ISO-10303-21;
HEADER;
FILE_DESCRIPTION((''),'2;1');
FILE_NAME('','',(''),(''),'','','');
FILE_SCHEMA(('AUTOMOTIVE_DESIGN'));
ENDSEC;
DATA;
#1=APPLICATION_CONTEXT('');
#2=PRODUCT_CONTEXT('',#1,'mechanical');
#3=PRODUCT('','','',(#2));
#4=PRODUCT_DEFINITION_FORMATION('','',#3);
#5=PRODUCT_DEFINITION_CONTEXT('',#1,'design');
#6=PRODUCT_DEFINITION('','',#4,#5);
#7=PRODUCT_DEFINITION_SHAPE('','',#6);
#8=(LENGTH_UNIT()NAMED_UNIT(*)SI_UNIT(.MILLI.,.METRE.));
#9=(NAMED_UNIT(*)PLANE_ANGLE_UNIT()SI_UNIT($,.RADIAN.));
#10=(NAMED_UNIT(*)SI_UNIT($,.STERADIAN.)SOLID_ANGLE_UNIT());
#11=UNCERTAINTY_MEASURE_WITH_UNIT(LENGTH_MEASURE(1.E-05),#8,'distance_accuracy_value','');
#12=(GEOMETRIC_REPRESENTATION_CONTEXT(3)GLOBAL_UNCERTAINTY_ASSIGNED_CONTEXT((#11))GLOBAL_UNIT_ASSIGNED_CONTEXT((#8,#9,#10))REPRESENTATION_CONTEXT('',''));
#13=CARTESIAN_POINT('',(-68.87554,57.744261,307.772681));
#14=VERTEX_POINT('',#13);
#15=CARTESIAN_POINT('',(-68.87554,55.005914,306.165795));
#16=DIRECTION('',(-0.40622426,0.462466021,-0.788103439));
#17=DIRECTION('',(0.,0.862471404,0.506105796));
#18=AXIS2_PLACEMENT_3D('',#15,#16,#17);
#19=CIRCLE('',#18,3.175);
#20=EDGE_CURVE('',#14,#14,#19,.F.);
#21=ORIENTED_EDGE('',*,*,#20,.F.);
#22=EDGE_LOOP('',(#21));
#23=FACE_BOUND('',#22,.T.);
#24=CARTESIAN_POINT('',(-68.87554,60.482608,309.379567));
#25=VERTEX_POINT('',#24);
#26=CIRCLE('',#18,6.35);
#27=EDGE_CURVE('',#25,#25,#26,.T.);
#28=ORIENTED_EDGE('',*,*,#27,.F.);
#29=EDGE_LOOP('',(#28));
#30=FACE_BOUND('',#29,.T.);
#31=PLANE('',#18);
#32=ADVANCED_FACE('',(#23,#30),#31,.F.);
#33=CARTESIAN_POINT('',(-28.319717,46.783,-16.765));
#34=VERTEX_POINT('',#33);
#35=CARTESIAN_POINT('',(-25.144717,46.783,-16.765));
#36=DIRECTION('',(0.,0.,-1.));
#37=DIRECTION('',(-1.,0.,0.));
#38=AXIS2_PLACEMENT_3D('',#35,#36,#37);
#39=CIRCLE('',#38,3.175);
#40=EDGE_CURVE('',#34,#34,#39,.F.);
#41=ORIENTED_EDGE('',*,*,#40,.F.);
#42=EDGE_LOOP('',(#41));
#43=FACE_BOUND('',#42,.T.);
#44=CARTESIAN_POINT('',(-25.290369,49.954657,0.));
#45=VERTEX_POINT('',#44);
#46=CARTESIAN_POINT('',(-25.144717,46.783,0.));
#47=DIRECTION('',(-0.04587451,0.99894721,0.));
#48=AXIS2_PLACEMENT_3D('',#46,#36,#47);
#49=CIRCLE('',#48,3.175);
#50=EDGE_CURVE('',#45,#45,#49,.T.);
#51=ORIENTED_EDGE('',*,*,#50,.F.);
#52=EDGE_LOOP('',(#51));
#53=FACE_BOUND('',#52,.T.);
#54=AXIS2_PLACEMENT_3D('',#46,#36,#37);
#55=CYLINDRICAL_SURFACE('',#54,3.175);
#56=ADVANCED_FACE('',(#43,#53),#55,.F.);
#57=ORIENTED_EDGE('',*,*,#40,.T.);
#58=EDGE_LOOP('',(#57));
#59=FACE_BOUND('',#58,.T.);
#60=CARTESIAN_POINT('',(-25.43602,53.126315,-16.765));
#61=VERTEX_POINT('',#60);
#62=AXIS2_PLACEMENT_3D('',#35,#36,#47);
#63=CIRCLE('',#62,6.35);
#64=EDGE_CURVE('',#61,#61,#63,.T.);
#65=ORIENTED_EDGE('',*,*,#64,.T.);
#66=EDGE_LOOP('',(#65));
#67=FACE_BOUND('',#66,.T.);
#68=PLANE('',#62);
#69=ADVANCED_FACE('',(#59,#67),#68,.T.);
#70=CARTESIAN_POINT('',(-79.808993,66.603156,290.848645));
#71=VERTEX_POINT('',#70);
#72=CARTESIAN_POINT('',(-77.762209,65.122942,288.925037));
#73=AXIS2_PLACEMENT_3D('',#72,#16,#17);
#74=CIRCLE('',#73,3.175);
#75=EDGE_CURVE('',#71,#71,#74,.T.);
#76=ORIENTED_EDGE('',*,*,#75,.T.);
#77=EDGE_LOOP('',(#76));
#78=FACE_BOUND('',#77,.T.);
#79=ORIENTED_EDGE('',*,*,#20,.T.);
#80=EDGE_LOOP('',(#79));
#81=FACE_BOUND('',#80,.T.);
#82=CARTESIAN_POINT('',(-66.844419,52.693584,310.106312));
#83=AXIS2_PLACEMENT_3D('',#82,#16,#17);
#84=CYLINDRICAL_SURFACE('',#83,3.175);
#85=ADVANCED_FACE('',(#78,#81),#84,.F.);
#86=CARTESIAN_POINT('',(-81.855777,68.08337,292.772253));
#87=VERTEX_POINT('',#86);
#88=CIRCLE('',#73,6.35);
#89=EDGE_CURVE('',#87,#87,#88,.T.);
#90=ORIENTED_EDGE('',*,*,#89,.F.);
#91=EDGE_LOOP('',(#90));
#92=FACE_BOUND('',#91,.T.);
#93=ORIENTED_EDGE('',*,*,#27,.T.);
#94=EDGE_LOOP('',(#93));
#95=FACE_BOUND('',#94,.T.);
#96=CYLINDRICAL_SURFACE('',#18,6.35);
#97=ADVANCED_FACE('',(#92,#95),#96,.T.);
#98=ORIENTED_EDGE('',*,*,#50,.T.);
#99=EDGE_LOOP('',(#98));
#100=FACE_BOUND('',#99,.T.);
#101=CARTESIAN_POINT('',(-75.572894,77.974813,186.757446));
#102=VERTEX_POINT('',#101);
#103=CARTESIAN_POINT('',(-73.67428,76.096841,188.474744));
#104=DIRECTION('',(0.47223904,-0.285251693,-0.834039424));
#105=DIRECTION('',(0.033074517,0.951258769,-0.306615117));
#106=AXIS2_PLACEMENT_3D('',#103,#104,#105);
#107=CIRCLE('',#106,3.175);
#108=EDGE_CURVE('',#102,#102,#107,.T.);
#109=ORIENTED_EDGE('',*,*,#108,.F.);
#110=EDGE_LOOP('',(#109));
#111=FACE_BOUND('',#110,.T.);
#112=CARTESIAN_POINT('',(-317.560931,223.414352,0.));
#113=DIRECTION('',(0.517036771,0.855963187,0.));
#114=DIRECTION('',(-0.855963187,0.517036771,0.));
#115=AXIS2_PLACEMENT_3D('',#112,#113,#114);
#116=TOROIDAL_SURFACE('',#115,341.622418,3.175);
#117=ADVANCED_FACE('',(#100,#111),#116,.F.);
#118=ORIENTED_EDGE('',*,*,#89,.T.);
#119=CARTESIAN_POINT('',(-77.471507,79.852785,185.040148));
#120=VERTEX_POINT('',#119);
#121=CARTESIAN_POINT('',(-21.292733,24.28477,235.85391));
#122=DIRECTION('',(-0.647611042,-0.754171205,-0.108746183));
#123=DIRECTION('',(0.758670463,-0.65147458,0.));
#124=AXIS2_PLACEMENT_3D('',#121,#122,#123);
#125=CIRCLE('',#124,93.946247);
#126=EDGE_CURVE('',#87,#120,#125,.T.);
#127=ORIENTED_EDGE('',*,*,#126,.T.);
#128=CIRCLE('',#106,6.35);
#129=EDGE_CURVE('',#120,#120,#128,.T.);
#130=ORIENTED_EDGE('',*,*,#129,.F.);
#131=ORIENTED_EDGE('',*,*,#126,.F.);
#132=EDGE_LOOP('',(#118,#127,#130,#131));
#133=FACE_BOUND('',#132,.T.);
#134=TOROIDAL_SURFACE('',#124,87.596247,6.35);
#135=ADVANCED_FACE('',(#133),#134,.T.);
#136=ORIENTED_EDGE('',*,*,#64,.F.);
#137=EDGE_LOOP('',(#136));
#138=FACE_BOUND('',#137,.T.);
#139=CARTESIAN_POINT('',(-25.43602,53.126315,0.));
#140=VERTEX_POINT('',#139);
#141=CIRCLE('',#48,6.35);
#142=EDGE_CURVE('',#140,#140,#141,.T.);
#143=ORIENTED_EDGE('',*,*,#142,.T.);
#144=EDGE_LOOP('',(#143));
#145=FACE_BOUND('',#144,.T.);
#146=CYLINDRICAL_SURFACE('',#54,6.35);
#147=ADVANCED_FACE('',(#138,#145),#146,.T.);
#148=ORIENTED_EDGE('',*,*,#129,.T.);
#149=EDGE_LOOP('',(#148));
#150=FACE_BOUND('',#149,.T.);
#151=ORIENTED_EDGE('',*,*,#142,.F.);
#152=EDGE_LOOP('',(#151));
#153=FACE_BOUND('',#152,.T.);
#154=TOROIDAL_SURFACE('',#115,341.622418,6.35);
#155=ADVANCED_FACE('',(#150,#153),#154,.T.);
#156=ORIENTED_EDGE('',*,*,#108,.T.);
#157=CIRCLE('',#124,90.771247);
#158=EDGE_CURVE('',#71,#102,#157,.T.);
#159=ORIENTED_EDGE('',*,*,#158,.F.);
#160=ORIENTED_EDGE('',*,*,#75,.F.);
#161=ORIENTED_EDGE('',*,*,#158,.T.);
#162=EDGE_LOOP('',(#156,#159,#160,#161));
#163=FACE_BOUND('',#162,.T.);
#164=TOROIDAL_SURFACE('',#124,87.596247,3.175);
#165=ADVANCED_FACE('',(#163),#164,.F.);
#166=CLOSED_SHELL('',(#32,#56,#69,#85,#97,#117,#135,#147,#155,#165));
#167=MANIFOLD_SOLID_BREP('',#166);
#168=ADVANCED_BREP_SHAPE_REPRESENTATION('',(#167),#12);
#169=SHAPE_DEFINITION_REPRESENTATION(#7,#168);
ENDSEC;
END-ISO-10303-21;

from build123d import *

# Parameters (mm, degrees)
SWEEP1_PROFILE_R     = 6.35
CUT_SWEEP1_PROFILE_R = 3.175


with BuildPart() as part:
    # Sweep1: sweep along a curve in space
    with BuildLine() as sweep1_path:
        Line((-25.144717139, 46.783, -16.764999998), (-25.144717139, 46.783, 0))
        ThreePointArc((-25.144717139, 46.783, 0), (-37.539812947, 54.270144781, 98.408776247), (-73.67428039, 76.09684088, 188.474744178))
        ThreePointArc((-77.762208871, 65.122942343, 288.925037219), (-87.944554744, 81.01650581, 239.339220312), (-73.67428039, 76.09684088, 188.474744178))
        Line((-68.87554044, 55.005914395, 306.16579471), (-77.762208871, 65.122942343, 288.925037219))
    # Sweep1 profile (on start of the path) → Sweep1 (sweep)
    with BuildSketch(Plane(origin=(-25.144717139, 46.783, -16.764999998), x_dir=(1, 0, 0), z_dir=(0, 0, 1))):
        Circle(SWEEP1_PROFILE_R)
    sweep(path=sweep1_path.line)

    # Cut-Sweep1: sweep along a curve in space
    with BuildLine() as cut_sweep1_path:
        Line((-25.144717139, 46.783, -16.764999998), (-25.144717139, 46.783, 0))
        ThreePointArc((-25.144717139, 46.783, 0), (-37.539812947, 54.270144781, 98.408776247), (-73.67428039, 76.09684088, 188.474744178))
        ThreePointArc((-77.762208871, 65.122942343, 288.925037219), (-87.944554744, 81.01650581, 239.339220312), (-73.67428039, 76.09684088, 188.474744178))
        Line((-68.87554044, 55.005914395, 306.16579471), (-77.762208871, 65.122942343, 288.925037219))
    # Cut-Sweep1 profile (on start of the path) → Cut-Sweep1 (sweep, cut)
    with BuildSketch(Plane(origin=(-25.144717139, 46.783, -16.764999998), x_dir=(1, 0, 0), z_dir=(0, 0, 1))):
        Circle(CUT_SWEEP1_PROFILE_R)
    sweep(path=cut_sweep1_path.line, mode=Mode.SUBTRACT)


solid = part.part
